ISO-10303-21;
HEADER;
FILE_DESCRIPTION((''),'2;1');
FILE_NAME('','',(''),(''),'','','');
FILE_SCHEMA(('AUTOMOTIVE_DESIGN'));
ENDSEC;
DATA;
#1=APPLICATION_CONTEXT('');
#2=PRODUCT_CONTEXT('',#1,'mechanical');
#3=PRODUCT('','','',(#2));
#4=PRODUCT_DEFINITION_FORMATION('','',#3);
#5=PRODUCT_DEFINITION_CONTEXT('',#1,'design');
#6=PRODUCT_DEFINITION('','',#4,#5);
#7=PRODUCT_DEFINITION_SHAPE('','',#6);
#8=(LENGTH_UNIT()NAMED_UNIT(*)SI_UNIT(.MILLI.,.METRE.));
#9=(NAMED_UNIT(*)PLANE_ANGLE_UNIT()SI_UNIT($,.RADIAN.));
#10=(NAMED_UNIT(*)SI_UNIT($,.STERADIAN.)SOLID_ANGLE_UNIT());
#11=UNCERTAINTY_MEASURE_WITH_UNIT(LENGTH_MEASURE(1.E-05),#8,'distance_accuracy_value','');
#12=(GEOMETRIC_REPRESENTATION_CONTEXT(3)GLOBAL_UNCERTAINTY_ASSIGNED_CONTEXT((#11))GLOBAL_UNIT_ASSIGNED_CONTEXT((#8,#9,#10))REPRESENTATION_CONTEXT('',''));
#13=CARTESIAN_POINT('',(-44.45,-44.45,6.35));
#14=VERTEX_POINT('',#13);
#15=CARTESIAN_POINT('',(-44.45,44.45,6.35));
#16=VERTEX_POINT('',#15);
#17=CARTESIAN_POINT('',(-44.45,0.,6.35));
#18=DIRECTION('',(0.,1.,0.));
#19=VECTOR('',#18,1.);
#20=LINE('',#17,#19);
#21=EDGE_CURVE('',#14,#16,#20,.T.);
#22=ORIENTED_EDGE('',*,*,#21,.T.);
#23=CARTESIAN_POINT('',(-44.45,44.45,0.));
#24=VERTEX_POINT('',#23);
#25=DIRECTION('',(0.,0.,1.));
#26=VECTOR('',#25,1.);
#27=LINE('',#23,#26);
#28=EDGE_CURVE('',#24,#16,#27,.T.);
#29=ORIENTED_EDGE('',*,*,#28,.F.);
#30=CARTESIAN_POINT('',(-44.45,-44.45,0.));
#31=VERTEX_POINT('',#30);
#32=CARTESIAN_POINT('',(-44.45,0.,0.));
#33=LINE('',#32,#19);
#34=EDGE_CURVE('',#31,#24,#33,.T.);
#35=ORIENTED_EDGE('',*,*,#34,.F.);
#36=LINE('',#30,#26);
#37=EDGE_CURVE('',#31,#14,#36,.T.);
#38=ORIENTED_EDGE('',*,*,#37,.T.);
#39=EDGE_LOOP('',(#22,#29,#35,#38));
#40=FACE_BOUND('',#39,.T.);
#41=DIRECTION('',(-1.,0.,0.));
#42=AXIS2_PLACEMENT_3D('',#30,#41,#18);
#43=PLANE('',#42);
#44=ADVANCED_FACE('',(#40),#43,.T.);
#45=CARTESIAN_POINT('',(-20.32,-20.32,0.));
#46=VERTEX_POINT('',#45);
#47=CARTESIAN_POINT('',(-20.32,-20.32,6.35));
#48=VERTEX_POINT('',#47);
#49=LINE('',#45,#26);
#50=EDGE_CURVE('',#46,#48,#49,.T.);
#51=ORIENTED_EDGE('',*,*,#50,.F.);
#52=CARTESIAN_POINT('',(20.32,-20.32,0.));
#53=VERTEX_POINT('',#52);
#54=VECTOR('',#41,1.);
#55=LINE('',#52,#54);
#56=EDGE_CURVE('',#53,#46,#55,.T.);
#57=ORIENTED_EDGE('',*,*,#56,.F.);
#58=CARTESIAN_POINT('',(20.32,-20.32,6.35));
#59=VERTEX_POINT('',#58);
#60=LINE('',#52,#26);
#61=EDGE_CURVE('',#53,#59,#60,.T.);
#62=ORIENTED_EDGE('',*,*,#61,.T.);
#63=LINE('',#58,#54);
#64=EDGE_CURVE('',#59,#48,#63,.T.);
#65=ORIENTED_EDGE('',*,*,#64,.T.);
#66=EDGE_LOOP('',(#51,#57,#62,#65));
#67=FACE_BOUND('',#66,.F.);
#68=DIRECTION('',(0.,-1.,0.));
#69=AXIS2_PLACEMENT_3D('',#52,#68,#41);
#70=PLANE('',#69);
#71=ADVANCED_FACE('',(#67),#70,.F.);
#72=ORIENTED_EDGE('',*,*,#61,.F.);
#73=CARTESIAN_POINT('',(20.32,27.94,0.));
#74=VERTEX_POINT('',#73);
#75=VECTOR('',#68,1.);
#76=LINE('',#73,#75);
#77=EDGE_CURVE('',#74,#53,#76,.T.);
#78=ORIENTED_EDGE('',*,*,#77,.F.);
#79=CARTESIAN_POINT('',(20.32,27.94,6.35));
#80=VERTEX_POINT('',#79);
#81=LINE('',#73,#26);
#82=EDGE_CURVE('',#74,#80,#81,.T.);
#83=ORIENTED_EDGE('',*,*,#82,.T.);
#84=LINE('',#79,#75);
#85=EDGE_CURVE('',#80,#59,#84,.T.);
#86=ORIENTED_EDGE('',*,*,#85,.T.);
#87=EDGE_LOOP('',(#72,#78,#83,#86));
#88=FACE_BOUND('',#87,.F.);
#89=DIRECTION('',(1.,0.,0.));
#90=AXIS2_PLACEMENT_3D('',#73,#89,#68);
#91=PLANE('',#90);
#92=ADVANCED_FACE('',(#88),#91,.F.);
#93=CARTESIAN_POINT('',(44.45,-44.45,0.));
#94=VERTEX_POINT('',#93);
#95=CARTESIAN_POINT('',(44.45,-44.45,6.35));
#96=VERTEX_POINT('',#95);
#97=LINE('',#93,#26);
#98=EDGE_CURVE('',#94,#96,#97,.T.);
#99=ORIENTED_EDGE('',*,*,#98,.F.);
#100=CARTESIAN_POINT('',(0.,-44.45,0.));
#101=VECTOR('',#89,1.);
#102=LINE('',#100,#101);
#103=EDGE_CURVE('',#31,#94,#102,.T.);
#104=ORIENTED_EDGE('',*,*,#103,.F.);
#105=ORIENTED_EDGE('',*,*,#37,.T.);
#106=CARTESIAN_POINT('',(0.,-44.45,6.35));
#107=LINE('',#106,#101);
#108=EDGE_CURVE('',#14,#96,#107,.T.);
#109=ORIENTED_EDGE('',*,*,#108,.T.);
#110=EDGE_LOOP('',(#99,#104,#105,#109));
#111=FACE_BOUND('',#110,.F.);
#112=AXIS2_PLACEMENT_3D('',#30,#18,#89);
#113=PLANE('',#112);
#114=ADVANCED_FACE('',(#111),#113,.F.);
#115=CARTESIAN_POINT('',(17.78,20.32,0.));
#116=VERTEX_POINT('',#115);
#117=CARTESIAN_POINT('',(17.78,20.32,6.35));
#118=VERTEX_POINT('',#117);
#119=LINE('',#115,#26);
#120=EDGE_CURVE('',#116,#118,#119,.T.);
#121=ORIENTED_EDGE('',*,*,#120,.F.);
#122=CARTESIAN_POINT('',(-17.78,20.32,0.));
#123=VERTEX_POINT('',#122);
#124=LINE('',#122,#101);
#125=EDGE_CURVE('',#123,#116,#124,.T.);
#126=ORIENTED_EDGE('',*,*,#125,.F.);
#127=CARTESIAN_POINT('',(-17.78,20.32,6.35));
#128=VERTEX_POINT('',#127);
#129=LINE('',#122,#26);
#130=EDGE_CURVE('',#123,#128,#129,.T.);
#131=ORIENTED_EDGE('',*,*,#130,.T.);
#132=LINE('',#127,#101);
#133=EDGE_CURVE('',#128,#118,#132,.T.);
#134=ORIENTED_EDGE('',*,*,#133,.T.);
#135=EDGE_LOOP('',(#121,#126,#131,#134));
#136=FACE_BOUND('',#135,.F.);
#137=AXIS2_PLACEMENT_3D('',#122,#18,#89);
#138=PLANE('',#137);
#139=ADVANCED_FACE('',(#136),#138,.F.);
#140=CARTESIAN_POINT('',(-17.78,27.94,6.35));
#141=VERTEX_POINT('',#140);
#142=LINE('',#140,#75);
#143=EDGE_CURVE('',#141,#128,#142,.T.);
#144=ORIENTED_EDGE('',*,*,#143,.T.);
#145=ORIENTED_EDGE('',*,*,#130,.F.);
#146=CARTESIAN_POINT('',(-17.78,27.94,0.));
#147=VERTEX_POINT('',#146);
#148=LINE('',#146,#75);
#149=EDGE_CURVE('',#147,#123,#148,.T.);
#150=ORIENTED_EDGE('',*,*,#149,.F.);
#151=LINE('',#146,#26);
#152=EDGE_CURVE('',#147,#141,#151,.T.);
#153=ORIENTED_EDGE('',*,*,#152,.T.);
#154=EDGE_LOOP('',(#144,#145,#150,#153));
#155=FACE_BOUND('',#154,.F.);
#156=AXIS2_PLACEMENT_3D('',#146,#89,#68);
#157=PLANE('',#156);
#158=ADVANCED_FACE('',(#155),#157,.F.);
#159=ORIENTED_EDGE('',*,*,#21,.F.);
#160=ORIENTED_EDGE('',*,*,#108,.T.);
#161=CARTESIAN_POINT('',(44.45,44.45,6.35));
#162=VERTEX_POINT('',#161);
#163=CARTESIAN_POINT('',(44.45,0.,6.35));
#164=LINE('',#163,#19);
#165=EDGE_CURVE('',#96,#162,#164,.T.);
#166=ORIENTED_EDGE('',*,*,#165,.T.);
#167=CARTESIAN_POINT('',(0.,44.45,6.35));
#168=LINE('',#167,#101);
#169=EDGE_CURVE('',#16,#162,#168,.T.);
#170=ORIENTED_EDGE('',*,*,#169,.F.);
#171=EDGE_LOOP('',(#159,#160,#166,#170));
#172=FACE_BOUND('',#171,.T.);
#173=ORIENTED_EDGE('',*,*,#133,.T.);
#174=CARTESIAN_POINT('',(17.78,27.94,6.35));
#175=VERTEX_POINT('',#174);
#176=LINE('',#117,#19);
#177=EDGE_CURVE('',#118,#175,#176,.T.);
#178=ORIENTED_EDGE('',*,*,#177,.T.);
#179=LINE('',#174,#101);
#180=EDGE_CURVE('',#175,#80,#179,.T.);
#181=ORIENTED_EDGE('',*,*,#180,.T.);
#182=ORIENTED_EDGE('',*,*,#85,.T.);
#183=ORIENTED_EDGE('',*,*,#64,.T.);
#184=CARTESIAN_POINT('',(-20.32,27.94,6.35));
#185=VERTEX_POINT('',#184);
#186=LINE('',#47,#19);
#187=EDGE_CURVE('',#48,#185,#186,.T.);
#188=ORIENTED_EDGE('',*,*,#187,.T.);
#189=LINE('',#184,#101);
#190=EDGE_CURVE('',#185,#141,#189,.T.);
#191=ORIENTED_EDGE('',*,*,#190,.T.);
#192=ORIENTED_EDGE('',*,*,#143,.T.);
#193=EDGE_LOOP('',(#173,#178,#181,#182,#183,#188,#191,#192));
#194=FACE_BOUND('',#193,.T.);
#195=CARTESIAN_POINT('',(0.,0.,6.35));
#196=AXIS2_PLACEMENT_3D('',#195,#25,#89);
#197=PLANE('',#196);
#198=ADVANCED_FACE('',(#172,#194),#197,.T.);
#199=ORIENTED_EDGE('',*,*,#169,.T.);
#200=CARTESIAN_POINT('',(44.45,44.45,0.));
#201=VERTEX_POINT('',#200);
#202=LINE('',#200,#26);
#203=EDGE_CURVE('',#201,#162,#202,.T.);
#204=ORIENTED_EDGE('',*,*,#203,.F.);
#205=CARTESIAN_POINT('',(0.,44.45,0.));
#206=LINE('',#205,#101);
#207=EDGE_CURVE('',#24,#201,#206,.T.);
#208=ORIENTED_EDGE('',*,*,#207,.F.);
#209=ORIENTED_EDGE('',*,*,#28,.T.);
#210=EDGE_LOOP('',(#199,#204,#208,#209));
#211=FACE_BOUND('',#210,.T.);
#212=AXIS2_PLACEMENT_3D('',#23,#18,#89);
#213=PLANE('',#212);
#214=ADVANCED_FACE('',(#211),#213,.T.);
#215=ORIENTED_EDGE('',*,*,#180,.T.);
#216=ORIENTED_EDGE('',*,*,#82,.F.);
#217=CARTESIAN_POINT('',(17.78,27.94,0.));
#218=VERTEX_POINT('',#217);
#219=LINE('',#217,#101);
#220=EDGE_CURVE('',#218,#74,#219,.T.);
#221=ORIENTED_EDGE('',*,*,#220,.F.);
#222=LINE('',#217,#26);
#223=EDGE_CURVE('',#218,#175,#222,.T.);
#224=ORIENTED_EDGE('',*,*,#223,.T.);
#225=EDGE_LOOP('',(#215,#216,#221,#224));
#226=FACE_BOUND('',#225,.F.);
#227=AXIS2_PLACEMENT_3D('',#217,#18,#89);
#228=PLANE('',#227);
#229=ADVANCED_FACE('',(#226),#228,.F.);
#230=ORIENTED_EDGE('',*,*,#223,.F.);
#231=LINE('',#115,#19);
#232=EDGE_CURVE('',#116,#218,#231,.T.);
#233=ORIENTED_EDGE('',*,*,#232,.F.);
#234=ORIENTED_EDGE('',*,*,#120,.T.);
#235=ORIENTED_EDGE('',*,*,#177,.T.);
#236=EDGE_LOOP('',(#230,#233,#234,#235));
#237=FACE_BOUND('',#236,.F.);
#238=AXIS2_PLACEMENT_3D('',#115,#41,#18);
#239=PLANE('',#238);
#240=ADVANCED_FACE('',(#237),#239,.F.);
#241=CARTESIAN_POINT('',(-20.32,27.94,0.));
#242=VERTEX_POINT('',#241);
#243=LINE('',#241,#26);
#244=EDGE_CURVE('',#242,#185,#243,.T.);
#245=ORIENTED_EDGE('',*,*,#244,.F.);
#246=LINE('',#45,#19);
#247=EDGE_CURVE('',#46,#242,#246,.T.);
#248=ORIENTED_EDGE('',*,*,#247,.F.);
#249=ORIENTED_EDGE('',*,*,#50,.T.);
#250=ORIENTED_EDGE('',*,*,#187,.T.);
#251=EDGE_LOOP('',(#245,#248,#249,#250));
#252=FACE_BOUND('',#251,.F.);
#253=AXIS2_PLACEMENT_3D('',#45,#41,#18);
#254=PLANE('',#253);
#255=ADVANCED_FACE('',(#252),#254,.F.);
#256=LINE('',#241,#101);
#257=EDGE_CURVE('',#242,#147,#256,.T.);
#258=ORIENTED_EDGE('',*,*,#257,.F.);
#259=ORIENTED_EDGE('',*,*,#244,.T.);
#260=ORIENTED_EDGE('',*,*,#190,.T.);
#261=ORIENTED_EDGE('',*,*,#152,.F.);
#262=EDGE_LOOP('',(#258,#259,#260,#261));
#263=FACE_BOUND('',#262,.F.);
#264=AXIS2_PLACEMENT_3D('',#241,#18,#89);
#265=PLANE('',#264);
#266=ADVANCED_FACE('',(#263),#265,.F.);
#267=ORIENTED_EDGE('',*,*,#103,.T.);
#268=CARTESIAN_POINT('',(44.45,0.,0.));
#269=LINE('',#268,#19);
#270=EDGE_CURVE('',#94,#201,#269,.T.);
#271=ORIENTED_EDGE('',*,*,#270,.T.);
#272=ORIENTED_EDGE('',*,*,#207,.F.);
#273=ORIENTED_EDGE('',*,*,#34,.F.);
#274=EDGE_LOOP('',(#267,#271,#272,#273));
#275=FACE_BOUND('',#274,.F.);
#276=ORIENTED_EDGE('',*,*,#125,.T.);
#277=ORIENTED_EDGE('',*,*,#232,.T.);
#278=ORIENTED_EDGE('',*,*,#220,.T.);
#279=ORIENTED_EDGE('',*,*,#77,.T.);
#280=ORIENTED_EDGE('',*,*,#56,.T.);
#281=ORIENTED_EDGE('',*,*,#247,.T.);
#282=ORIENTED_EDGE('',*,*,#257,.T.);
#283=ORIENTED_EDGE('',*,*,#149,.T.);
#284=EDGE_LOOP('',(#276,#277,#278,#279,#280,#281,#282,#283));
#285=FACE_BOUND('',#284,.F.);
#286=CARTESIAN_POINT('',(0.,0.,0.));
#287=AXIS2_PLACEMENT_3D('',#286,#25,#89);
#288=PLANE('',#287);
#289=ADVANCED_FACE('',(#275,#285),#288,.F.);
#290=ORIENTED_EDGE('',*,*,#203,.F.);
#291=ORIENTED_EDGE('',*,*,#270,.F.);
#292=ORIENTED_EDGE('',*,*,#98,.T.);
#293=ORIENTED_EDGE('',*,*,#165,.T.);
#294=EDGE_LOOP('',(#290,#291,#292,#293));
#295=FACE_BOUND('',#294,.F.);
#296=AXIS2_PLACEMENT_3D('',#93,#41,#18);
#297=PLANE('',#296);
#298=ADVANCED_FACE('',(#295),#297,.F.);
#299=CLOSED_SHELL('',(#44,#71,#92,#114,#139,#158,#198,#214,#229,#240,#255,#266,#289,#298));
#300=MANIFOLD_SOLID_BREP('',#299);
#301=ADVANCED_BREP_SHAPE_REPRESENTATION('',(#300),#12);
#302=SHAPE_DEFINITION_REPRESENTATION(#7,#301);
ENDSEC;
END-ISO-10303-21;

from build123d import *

# Parameters (mm, degrees)
F0_W     = 88.9
F0_H     = 88.9
F1_DEPTH = 6.35


with BuildPart() as f1:
    # F0 (on Top) → F1 (new body)
    with BuildSketch(Plane.XY):
        Rectangle(F0_W, F0_H)
        Polygon((-17.78, 27.94), (-17.78, 20.32), (17.78, 20.32), (17.78, 27.94), (20.32, 27.94), (20.32, 20.32), (20.32, -20.32), (-20.32, -20.32), (-20.32, 20.32), (-20.32, 27.94), align=None, mode=Mode.SUBTRACT)
    extrude(amount=F1_DEPTH)


solid = f1.part
